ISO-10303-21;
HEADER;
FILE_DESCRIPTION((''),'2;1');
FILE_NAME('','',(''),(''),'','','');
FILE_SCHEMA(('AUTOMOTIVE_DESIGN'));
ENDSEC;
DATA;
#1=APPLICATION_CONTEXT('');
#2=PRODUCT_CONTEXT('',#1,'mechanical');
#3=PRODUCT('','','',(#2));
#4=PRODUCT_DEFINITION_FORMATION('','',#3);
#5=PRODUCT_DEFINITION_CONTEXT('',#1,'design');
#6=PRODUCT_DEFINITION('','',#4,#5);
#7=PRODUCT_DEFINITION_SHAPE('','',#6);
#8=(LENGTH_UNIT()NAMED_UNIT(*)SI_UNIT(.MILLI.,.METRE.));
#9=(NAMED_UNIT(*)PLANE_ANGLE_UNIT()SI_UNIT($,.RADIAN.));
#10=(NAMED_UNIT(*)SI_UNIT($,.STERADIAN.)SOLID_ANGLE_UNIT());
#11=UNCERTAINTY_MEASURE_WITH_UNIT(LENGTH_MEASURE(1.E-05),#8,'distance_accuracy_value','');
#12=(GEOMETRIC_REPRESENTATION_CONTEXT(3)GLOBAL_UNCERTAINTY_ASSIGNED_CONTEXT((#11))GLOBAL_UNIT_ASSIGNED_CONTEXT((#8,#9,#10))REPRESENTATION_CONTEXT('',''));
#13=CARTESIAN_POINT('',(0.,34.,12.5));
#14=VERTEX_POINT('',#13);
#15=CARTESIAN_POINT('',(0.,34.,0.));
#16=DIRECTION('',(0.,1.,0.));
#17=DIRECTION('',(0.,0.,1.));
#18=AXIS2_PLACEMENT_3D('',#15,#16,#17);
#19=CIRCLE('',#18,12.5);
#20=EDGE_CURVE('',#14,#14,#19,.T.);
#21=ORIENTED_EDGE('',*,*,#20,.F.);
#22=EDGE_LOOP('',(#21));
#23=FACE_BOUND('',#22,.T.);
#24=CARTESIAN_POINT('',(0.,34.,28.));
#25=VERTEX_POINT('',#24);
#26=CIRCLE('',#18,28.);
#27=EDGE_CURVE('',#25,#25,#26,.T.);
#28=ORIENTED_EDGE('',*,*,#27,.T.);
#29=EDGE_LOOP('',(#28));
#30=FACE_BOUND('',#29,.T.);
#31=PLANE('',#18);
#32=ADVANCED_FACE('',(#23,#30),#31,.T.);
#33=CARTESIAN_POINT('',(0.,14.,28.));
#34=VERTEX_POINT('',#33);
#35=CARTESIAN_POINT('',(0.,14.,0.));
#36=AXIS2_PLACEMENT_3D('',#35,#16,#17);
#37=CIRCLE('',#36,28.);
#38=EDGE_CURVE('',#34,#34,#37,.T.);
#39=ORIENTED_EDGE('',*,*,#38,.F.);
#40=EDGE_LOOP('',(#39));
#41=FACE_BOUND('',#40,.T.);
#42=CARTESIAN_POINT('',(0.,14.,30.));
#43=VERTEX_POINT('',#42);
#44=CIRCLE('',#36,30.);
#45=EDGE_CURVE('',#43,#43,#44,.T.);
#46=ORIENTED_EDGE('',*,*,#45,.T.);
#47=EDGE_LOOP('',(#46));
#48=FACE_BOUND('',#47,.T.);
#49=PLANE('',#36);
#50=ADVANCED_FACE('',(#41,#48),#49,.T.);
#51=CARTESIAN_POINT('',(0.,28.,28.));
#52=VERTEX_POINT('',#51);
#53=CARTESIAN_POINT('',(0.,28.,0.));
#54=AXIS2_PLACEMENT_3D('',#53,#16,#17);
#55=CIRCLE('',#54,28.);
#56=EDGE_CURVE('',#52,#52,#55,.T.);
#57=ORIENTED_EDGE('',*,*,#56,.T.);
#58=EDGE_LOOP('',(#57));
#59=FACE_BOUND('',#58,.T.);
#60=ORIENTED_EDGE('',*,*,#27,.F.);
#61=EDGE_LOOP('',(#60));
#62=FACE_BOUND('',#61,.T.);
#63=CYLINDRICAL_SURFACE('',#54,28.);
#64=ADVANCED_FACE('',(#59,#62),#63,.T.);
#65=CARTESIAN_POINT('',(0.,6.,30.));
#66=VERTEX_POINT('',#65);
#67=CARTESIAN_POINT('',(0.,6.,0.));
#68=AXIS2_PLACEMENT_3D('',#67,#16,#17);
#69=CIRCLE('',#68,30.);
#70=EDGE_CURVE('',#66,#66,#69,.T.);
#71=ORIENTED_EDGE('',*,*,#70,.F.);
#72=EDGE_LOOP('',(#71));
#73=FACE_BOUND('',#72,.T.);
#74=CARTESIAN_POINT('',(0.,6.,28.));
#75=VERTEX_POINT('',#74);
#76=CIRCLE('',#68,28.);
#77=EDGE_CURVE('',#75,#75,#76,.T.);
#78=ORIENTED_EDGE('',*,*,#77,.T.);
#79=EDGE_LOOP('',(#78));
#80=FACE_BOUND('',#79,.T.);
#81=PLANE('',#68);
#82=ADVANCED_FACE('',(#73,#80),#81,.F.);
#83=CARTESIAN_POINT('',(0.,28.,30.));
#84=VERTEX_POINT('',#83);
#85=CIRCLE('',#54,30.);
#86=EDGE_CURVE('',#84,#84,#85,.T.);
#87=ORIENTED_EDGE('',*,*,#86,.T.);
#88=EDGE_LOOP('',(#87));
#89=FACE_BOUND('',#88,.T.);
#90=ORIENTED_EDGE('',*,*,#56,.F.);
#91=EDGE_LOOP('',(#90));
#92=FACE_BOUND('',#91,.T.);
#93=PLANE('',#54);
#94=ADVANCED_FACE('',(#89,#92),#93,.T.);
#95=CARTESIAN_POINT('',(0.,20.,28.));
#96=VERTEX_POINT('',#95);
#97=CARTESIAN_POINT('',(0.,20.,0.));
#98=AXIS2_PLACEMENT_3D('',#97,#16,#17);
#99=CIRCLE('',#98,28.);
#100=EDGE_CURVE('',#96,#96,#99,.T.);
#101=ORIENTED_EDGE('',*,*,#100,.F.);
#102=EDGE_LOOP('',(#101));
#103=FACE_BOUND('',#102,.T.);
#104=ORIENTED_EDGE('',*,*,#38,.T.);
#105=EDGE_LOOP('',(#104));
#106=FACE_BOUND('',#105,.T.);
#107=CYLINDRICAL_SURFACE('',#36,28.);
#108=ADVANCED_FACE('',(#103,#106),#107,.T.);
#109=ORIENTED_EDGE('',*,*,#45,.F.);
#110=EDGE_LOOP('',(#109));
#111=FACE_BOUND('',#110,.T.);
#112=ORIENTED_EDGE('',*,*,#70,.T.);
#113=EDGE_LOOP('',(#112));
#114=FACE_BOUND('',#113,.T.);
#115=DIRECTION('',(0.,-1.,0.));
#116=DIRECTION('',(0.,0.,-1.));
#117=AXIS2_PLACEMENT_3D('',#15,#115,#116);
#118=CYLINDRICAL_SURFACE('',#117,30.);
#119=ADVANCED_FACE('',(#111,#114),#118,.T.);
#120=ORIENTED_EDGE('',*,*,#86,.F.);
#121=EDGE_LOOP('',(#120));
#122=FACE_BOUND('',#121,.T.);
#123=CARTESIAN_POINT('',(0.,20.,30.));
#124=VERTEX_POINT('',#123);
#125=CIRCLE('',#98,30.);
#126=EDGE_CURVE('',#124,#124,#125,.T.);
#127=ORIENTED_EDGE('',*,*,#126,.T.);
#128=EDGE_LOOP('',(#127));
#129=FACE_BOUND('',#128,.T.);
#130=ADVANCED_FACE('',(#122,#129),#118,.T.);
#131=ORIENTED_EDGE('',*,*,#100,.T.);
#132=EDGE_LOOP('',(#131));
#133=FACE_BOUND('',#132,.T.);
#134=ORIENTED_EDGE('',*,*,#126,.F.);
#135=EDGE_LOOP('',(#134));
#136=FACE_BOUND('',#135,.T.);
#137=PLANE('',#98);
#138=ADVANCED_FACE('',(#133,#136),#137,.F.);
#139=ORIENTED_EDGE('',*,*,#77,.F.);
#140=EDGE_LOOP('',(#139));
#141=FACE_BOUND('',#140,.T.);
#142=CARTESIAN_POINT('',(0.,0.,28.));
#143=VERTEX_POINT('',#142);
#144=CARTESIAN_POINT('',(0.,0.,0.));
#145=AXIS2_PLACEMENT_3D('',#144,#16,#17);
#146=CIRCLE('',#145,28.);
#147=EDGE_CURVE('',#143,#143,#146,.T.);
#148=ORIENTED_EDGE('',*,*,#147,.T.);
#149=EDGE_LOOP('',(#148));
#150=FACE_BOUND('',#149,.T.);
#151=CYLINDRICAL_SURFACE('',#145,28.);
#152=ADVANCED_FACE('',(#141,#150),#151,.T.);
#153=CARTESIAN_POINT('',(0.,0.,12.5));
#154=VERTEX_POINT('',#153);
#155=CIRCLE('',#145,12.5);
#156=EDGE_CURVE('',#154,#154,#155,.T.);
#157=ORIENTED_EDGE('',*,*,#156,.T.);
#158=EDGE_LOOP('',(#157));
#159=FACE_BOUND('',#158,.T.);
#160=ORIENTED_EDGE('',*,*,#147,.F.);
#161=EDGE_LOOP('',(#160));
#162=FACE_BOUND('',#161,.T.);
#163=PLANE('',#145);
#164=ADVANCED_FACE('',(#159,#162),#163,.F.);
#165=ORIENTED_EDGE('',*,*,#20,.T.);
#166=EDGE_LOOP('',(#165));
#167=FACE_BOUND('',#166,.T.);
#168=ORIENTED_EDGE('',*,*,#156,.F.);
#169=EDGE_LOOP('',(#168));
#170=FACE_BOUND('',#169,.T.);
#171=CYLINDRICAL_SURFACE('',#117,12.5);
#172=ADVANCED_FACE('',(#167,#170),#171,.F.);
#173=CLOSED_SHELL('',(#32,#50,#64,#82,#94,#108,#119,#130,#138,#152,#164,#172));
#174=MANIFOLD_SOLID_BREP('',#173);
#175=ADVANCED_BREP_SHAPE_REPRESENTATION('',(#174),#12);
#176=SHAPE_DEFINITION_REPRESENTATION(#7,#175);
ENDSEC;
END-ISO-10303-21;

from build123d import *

# Parameters (mm, degrees)
SKETCH_1_R             = 30
SKETCH_1_R_2           = 12.5
EXTRUDE_1_DEPTH        = 34
CUT_EXTRUDE_START      = -6
SKETCH_2_R             = 30
SKETCH_2_R_2           = 28
CUT_EXTRUDE_1_DEPTH    = 6
PATTERN_LINEAR_1_COUNT = 3
PATTERN_LINEAR_1_PITCH = 14


with BuildPart() as part:
    # 草图1 → 凸台-拉伸1 (new body)
    with BuildSketch(Plane(origin=(0, 0, 0), x_dir=(1, 0, 0), z_dir=(0, 1, 0))):
        with Locations(Location((0, 0, 0), (0, 0, 270))):
            Circle(SKETCH_1_R)
        with Locations(Location((0, 0, 0), (0, 0, 270))):
            Circle(SKETCH_1_R_2, mode=Mode.SUBTRACT)
    extrude(amount=EXTRUDE_1_DEPTH)

    # 草图2 → 切除-拉伸1 (cut)
    with BuildSketch(Plane(origin=(0, 34, 0), x_dir=(1, 0, 0), z_dir=(0, 1, 0)).offset(CUT_EXTRUDE_START)):
        with Locations(Location((0, 0, 0), (0, 0, 270))):
            Circle(SKETCH_2_R)
        with Locations(Location((0, 0, 0), (0, 0, 270))):
            Circle(SKETCH_2_R_2, mode=Mode.SUBTRACT)
    cut_extrude_1 = extrude(amount=CUT_EXTRUDE_1_DEPTH, mode=Mode.SUBTRACT)

    # 阵列(线性)1: 切除-拉伸1 ×3
    with Locations(*[(0, -i * PATTERN_LINEAR_1_PITCH, 0) for i in range(1, PATTERN_LINEAR_1_COUNT)]):
        add(cut_extrude_1, mode=Mode.SUBTRACT)


solid = part.part
